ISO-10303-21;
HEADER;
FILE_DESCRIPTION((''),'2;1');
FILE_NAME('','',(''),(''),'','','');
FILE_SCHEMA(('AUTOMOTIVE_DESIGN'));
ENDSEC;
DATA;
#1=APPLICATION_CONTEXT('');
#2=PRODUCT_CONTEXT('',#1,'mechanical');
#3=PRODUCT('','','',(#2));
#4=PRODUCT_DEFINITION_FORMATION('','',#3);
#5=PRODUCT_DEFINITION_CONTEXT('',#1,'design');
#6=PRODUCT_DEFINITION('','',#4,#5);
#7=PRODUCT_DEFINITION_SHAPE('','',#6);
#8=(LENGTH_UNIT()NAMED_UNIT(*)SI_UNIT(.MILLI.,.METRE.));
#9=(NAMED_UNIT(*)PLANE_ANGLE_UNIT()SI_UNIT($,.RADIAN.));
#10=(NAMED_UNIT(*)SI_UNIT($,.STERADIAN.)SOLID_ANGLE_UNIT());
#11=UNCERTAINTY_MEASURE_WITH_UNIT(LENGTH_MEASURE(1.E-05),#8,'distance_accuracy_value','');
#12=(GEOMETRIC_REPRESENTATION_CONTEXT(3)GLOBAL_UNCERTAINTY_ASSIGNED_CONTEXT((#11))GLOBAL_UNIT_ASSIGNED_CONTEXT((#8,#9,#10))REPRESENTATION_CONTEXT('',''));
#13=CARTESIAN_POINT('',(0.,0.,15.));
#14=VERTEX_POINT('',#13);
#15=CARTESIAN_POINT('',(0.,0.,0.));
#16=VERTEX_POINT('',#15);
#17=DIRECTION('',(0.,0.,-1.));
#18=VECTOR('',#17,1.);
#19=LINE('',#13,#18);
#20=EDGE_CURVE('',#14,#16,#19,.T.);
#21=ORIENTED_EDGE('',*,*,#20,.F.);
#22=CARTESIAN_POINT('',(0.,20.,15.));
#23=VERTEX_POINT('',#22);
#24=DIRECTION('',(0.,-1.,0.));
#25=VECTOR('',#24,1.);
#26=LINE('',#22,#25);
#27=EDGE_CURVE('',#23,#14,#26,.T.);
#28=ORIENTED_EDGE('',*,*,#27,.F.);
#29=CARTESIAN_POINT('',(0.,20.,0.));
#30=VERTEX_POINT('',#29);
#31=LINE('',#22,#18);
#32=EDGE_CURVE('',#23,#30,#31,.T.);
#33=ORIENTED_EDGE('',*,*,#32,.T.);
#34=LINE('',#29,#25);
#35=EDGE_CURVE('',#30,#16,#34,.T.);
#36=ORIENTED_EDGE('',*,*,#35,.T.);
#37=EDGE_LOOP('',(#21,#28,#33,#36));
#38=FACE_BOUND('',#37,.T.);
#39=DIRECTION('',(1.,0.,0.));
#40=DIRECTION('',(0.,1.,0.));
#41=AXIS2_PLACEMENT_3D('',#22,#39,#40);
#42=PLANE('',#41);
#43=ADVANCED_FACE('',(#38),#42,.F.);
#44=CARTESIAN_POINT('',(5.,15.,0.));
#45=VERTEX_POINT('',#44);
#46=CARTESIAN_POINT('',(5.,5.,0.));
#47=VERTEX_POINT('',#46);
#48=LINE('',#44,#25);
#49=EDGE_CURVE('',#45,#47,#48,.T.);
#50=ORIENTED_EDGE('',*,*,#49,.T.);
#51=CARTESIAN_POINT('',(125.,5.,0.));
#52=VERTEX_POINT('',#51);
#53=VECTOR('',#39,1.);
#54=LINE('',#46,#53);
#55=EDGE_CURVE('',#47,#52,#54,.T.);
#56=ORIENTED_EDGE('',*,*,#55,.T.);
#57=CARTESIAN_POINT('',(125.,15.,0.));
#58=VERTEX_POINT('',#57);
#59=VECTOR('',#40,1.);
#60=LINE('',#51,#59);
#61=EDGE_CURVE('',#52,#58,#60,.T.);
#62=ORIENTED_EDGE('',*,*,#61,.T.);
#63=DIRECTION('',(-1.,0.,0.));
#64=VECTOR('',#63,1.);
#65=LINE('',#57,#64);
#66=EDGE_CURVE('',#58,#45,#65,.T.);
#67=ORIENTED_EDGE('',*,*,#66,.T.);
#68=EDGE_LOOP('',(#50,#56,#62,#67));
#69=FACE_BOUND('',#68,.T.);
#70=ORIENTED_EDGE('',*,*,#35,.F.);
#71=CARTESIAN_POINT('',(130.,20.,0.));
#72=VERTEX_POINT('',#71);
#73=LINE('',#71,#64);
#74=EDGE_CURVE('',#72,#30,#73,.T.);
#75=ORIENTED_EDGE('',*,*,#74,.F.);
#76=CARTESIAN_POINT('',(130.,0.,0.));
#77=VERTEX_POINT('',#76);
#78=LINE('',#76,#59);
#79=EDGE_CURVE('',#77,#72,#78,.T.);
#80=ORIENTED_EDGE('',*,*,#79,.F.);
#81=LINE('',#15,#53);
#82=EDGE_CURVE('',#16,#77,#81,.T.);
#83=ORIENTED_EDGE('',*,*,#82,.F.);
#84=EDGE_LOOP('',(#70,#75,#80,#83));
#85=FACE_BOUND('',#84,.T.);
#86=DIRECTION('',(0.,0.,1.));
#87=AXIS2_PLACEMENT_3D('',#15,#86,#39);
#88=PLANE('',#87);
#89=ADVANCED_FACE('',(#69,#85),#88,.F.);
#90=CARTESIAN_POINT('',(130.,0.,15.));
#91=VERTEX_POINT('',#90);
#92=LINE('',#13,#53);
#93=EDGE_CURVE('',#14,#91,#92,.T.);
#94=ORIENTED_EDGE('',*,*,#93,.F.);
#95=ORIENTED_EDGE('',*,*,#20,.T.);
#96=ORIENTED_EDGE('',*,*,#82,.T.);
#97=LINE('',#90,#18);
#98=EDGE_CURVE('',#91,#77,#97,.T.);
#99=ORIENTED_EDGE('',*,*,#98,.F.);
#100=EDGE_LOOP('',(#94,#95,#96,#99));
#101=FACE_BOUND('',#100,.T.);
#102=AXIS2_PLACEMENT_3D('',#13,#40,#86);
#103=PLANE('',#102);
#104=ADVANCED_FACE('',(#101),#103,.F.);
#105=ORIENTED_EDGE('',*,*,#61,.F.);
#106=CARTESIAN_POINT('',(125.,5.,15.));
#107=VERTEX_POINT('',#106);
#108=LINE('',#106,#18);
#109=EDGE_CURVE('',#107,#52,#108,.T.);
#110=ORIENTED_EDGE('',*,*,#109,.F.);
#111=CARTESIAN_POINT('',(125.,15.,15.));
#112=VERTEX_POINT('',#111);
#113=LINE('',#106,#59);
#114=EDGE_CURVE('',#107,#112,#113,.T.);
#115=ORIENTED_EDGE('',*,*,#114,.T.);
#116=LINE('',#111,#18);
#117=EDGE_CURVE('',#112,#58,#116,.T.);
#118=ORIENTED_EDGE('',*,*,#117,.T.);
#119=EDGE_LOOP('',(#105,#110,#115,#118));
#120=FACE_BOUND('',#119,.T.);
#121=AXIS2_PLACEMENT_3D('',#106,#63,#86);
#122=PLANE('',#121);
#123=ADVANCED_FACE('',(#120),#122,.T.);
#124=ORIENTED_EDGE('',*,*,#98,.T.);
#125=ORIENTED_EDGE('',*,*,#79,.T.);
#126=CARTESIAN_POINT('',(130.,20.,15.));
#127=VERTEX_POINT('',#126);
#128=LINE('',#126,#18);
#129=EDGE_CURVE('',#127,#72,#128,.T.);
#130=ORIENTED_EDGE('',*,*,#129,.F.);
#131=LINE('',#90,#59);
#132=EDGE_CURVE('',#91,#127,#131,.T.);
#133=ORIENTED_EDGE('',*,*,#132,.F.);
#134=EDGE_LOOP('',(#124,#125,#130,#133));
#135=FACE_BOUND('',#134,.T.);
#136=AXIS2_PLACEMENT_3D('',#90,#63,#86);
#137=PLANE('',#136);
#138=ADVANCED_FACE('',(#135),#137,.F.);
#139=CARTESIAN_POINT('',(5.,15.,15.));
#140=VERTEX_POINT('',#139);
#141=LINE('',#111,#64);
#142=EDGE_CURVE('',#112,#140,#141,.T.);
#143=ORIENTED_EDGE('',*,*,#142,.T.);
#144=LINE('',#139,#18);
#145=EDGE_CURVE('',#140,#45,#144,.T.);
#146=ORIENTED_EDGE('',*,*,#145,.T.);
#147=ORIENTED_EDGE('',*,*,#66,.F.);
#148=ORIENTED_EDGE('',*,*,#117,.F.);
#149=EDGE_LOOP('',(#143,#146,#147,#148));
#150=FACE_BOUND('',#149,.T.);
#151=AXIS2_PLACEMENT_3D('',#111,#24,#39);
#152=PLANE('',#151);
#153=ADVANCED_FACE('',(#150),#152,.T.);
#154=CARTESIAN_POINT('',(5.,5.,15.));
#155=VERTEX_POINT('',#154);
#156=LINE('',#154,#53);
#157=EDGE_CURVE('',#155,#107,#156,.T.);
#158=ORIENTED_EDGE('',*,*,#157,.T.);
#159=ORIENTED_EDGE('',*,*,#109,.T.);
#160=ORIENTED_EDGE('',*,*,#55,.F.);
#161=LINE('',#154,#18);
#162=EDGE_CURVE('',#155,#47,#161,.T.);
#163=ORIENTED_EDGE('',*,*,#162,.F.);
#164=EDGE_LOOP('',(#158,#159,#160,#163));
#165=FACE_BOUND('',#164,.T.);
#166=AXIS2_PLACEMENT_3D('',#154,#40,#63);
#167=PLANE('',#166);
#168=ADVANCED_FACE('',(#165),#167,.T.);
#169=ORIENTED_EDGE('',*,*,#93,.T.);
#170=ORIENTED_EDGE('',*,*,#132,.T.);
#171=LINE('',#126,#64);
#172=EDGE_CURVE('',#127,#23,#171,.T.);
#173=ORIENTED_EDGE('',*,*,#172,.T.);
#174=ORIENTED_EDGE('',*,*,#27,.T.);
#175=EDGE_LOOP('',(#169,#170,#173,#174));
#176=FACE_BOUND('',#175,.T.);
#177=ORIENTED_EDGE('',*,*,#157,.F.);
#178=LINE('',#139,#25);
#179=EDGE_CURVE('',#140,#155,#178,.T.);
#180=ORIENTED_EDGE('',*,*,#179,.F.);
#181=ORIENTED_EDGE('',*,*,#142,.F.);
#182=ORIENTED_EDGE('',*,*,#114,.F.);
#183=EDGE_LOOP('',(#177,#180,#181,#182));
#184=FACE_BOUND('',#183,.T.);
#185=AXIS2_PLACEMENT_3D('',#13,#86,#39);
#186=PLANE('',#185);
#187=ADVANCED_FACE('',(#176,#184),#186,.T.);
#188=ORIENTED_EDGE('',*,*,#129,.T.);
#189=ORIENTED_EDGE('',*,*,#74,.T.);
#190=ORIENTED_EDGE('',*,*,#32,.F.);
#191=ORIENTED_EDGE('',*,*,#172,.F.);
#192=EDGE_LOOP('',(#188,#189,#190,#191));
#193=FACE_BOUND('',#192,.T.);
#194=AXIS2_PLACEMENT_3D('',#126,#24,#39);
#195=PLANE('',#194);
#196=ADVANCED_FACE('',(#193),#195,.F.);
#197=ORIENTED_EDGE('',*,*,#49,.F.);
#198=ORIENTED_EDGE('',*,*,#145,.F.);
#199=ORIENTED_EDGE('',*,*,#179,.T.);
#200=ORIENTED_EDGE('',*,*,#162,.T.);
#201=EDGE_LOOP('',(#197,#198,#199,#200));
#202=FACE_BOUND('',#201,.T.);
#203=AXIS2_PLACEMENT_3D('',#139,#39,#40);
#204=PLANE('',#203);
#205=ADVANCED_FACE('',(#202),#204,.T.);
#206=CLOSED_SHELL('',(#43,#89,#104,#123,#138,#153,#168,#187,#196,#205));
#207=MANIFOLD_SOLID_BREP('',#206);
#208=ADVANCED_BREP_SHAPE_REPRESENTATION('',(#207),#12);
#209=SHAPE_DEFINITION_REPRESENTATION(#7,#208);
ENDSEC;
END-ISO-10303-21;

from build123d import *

# Parameters (mm, degrees)
CROQUIS1_W              = 130
CROQUIS1_H              = 20
CROQUIS1_W_2            = 120
CROQUIS1_H_2            = 10
SALIENTE_EXTRUIR1_DEPTH = 15


with BuildPart() as part:
    # Croquis1 → Saliente-Extruir1 (new body)
    with BuildSketch(Plane.XY):
        with Locations((65, 10)):
            Rectangle(CROQUIS1_W, CROQUIS1_H)
        with Locations((65, 10)):
            Rectangle(CROQUIS1_W_2, CROQUIS1_H_2, mode=Mode.SUBTRACT)
    extrude(amount=SALIENTE_EXTRUIR1_DEPTH)


solid = part.part
